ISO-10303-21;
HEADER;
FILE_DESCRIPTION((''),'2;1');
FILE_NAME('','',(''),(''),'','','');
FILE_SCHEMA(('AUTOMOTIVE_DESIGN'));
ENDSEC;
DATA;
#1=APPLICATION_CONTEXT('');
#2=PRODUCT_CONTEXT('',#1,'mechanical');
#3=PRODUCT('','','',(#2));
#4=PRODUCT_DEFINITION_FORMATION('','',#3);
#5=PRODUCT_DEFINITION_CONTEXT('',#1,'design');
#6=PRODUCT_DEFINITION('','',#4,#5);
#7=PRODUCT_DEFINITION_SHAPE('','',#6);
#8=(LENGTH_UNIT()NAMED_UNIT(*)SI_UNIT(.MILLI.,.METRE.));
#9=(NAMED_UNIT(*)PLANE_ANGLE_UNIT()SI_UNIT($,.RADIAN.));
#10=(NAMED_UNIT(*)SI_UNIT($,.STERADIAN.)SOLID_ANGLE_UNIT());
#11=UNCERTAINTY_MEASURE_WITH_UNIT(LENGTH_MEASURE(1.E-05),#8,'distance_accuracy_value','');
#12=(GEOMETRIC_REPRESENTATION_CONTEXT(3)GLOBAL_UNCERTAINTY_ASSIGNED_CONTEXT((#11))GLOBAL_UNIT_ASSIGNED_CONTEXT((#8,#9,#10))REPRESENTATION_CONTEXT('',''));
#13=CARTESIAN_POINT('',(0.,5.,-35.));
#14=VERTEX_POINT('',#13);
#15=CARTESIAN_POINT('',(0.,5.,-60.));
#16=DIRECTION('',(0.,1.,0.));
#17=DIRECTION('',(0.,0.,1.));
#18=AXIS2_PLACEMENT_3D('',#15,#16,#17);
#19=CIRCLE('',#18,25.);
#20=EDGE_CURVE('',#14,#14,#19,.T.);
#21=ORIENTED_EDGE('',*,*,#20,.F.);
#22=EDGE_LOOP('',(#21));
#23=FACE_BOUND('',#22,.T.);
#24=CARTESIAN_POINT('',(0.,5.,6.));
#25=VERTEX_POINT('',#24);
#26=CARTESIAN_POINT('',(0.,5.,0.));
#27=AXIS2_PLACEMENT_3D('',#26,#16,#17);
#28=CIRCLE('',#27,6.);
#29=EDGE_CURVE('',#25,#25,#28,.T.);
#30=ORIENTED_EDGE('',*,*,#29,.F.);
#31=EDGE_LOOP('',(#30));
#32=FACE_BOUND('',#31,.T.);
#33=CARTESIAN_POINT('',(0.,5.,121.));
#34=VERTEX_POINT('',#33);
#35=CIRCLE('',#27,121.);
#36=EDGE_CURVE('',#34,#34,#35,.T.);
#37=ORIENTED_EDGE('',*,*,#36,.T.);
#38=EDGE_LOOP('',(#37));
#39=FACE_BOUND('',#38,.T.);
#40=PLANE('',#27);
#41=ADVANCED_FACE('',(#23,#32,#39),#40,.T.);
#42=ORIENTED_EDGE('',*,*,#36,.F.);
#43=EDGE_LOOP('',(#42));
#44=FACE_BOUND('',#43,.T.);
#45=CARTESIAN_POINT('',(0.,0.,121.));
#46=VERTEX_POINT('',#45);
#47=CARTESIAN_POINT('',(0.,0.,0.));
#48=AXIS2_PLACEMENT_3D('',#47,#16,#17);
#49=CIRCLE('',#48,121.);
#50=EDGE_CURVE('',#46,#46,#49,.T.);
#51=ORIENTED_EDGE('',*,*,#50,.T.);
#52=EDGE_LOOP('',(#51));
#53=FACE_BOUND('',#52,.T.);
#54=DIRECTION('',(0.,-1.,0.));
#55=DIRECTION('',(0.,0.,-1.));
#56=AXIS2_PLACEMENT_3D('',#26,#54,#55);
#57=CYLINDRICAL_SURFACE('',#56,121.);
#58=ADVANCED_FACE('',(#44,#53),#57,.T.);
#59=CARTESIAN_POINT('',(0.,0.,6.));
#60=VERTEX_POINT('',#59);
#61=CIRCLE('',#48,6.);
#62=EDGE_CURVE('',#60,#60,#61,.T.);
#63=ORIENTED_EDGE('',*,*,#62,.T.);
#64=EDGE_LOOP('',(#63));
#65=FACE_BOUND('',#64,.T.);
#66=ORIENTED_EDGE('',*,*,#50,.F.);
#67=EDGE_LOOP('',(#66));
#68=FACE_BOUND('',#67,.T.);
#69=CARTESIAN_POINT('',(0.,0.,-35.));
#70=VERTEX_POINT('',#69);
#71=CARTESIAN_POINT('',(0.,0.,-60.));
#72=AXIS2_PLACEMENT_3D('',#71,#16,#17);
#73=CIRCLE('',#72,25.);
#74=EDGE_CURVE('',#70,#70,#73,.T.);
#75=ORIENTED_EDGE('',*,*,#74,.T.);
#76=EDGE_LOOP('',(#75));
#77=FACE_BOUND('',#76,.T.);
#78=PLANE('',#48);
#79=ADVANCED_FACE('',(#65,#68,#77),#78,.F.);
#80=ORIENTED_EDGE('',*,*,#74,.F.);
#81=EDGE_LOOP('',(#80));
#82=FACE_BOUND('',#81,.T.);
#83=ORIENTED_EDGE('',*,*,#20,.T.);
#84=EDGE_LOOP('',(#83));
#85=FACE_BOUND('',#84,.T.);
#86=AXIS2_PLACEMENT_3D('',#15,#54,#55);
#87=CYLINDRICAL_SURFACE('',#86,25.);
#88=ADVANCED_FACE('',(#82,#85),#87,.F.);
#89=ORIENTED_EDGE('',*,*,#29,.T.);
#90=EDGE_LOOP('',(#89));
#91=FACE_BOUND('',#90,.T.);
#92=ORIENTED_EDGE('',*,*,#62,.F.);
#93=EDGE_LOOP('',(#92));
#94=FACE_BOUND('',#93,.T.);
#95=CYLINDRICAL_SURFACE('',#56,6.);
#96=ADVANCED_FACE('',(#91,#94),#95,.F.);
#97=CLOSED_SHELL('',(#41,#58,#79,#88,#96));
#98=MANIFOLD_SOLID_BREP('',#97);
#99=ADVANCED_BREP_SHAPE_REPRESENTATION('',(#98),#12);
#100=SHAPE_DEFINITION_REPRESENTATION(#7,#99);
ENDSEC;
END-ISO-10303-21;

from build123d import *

# Parameters (mm, degrees)
SKETCH1_R           = 121
SKETCH1_R_2         = 6
SKETCH1_R_3         = 25
BOSS_EXTRUDE1_DEPTH = 5


with BuildPart() as part:
    # Sketch1 → Boss-Extrude1 (new body)
    with BuildSketch(Plane(origin=(0, 0, 0), x_dir=(1, 0, 0), z_dir=(0, 1, 0))):
        with Locations(Location((0, 0, 0), (0, 0, 270))):
            Circle(SKETCH1_R)
        with Locations(Location((0, 0, 0), (0, 0, 270))):
            Circle(SKETCH1_R_2, mode=Mode.SUBTRACT)
        with Locations(Location((0, 60, 0), (0, 0, 270))):
            Circle(SKETCH1_R_3, mode=Mode.SUBTRACT)
    extrude(amount=BOSS_EXTRUDE1_DEPTH)


solid = part.part
